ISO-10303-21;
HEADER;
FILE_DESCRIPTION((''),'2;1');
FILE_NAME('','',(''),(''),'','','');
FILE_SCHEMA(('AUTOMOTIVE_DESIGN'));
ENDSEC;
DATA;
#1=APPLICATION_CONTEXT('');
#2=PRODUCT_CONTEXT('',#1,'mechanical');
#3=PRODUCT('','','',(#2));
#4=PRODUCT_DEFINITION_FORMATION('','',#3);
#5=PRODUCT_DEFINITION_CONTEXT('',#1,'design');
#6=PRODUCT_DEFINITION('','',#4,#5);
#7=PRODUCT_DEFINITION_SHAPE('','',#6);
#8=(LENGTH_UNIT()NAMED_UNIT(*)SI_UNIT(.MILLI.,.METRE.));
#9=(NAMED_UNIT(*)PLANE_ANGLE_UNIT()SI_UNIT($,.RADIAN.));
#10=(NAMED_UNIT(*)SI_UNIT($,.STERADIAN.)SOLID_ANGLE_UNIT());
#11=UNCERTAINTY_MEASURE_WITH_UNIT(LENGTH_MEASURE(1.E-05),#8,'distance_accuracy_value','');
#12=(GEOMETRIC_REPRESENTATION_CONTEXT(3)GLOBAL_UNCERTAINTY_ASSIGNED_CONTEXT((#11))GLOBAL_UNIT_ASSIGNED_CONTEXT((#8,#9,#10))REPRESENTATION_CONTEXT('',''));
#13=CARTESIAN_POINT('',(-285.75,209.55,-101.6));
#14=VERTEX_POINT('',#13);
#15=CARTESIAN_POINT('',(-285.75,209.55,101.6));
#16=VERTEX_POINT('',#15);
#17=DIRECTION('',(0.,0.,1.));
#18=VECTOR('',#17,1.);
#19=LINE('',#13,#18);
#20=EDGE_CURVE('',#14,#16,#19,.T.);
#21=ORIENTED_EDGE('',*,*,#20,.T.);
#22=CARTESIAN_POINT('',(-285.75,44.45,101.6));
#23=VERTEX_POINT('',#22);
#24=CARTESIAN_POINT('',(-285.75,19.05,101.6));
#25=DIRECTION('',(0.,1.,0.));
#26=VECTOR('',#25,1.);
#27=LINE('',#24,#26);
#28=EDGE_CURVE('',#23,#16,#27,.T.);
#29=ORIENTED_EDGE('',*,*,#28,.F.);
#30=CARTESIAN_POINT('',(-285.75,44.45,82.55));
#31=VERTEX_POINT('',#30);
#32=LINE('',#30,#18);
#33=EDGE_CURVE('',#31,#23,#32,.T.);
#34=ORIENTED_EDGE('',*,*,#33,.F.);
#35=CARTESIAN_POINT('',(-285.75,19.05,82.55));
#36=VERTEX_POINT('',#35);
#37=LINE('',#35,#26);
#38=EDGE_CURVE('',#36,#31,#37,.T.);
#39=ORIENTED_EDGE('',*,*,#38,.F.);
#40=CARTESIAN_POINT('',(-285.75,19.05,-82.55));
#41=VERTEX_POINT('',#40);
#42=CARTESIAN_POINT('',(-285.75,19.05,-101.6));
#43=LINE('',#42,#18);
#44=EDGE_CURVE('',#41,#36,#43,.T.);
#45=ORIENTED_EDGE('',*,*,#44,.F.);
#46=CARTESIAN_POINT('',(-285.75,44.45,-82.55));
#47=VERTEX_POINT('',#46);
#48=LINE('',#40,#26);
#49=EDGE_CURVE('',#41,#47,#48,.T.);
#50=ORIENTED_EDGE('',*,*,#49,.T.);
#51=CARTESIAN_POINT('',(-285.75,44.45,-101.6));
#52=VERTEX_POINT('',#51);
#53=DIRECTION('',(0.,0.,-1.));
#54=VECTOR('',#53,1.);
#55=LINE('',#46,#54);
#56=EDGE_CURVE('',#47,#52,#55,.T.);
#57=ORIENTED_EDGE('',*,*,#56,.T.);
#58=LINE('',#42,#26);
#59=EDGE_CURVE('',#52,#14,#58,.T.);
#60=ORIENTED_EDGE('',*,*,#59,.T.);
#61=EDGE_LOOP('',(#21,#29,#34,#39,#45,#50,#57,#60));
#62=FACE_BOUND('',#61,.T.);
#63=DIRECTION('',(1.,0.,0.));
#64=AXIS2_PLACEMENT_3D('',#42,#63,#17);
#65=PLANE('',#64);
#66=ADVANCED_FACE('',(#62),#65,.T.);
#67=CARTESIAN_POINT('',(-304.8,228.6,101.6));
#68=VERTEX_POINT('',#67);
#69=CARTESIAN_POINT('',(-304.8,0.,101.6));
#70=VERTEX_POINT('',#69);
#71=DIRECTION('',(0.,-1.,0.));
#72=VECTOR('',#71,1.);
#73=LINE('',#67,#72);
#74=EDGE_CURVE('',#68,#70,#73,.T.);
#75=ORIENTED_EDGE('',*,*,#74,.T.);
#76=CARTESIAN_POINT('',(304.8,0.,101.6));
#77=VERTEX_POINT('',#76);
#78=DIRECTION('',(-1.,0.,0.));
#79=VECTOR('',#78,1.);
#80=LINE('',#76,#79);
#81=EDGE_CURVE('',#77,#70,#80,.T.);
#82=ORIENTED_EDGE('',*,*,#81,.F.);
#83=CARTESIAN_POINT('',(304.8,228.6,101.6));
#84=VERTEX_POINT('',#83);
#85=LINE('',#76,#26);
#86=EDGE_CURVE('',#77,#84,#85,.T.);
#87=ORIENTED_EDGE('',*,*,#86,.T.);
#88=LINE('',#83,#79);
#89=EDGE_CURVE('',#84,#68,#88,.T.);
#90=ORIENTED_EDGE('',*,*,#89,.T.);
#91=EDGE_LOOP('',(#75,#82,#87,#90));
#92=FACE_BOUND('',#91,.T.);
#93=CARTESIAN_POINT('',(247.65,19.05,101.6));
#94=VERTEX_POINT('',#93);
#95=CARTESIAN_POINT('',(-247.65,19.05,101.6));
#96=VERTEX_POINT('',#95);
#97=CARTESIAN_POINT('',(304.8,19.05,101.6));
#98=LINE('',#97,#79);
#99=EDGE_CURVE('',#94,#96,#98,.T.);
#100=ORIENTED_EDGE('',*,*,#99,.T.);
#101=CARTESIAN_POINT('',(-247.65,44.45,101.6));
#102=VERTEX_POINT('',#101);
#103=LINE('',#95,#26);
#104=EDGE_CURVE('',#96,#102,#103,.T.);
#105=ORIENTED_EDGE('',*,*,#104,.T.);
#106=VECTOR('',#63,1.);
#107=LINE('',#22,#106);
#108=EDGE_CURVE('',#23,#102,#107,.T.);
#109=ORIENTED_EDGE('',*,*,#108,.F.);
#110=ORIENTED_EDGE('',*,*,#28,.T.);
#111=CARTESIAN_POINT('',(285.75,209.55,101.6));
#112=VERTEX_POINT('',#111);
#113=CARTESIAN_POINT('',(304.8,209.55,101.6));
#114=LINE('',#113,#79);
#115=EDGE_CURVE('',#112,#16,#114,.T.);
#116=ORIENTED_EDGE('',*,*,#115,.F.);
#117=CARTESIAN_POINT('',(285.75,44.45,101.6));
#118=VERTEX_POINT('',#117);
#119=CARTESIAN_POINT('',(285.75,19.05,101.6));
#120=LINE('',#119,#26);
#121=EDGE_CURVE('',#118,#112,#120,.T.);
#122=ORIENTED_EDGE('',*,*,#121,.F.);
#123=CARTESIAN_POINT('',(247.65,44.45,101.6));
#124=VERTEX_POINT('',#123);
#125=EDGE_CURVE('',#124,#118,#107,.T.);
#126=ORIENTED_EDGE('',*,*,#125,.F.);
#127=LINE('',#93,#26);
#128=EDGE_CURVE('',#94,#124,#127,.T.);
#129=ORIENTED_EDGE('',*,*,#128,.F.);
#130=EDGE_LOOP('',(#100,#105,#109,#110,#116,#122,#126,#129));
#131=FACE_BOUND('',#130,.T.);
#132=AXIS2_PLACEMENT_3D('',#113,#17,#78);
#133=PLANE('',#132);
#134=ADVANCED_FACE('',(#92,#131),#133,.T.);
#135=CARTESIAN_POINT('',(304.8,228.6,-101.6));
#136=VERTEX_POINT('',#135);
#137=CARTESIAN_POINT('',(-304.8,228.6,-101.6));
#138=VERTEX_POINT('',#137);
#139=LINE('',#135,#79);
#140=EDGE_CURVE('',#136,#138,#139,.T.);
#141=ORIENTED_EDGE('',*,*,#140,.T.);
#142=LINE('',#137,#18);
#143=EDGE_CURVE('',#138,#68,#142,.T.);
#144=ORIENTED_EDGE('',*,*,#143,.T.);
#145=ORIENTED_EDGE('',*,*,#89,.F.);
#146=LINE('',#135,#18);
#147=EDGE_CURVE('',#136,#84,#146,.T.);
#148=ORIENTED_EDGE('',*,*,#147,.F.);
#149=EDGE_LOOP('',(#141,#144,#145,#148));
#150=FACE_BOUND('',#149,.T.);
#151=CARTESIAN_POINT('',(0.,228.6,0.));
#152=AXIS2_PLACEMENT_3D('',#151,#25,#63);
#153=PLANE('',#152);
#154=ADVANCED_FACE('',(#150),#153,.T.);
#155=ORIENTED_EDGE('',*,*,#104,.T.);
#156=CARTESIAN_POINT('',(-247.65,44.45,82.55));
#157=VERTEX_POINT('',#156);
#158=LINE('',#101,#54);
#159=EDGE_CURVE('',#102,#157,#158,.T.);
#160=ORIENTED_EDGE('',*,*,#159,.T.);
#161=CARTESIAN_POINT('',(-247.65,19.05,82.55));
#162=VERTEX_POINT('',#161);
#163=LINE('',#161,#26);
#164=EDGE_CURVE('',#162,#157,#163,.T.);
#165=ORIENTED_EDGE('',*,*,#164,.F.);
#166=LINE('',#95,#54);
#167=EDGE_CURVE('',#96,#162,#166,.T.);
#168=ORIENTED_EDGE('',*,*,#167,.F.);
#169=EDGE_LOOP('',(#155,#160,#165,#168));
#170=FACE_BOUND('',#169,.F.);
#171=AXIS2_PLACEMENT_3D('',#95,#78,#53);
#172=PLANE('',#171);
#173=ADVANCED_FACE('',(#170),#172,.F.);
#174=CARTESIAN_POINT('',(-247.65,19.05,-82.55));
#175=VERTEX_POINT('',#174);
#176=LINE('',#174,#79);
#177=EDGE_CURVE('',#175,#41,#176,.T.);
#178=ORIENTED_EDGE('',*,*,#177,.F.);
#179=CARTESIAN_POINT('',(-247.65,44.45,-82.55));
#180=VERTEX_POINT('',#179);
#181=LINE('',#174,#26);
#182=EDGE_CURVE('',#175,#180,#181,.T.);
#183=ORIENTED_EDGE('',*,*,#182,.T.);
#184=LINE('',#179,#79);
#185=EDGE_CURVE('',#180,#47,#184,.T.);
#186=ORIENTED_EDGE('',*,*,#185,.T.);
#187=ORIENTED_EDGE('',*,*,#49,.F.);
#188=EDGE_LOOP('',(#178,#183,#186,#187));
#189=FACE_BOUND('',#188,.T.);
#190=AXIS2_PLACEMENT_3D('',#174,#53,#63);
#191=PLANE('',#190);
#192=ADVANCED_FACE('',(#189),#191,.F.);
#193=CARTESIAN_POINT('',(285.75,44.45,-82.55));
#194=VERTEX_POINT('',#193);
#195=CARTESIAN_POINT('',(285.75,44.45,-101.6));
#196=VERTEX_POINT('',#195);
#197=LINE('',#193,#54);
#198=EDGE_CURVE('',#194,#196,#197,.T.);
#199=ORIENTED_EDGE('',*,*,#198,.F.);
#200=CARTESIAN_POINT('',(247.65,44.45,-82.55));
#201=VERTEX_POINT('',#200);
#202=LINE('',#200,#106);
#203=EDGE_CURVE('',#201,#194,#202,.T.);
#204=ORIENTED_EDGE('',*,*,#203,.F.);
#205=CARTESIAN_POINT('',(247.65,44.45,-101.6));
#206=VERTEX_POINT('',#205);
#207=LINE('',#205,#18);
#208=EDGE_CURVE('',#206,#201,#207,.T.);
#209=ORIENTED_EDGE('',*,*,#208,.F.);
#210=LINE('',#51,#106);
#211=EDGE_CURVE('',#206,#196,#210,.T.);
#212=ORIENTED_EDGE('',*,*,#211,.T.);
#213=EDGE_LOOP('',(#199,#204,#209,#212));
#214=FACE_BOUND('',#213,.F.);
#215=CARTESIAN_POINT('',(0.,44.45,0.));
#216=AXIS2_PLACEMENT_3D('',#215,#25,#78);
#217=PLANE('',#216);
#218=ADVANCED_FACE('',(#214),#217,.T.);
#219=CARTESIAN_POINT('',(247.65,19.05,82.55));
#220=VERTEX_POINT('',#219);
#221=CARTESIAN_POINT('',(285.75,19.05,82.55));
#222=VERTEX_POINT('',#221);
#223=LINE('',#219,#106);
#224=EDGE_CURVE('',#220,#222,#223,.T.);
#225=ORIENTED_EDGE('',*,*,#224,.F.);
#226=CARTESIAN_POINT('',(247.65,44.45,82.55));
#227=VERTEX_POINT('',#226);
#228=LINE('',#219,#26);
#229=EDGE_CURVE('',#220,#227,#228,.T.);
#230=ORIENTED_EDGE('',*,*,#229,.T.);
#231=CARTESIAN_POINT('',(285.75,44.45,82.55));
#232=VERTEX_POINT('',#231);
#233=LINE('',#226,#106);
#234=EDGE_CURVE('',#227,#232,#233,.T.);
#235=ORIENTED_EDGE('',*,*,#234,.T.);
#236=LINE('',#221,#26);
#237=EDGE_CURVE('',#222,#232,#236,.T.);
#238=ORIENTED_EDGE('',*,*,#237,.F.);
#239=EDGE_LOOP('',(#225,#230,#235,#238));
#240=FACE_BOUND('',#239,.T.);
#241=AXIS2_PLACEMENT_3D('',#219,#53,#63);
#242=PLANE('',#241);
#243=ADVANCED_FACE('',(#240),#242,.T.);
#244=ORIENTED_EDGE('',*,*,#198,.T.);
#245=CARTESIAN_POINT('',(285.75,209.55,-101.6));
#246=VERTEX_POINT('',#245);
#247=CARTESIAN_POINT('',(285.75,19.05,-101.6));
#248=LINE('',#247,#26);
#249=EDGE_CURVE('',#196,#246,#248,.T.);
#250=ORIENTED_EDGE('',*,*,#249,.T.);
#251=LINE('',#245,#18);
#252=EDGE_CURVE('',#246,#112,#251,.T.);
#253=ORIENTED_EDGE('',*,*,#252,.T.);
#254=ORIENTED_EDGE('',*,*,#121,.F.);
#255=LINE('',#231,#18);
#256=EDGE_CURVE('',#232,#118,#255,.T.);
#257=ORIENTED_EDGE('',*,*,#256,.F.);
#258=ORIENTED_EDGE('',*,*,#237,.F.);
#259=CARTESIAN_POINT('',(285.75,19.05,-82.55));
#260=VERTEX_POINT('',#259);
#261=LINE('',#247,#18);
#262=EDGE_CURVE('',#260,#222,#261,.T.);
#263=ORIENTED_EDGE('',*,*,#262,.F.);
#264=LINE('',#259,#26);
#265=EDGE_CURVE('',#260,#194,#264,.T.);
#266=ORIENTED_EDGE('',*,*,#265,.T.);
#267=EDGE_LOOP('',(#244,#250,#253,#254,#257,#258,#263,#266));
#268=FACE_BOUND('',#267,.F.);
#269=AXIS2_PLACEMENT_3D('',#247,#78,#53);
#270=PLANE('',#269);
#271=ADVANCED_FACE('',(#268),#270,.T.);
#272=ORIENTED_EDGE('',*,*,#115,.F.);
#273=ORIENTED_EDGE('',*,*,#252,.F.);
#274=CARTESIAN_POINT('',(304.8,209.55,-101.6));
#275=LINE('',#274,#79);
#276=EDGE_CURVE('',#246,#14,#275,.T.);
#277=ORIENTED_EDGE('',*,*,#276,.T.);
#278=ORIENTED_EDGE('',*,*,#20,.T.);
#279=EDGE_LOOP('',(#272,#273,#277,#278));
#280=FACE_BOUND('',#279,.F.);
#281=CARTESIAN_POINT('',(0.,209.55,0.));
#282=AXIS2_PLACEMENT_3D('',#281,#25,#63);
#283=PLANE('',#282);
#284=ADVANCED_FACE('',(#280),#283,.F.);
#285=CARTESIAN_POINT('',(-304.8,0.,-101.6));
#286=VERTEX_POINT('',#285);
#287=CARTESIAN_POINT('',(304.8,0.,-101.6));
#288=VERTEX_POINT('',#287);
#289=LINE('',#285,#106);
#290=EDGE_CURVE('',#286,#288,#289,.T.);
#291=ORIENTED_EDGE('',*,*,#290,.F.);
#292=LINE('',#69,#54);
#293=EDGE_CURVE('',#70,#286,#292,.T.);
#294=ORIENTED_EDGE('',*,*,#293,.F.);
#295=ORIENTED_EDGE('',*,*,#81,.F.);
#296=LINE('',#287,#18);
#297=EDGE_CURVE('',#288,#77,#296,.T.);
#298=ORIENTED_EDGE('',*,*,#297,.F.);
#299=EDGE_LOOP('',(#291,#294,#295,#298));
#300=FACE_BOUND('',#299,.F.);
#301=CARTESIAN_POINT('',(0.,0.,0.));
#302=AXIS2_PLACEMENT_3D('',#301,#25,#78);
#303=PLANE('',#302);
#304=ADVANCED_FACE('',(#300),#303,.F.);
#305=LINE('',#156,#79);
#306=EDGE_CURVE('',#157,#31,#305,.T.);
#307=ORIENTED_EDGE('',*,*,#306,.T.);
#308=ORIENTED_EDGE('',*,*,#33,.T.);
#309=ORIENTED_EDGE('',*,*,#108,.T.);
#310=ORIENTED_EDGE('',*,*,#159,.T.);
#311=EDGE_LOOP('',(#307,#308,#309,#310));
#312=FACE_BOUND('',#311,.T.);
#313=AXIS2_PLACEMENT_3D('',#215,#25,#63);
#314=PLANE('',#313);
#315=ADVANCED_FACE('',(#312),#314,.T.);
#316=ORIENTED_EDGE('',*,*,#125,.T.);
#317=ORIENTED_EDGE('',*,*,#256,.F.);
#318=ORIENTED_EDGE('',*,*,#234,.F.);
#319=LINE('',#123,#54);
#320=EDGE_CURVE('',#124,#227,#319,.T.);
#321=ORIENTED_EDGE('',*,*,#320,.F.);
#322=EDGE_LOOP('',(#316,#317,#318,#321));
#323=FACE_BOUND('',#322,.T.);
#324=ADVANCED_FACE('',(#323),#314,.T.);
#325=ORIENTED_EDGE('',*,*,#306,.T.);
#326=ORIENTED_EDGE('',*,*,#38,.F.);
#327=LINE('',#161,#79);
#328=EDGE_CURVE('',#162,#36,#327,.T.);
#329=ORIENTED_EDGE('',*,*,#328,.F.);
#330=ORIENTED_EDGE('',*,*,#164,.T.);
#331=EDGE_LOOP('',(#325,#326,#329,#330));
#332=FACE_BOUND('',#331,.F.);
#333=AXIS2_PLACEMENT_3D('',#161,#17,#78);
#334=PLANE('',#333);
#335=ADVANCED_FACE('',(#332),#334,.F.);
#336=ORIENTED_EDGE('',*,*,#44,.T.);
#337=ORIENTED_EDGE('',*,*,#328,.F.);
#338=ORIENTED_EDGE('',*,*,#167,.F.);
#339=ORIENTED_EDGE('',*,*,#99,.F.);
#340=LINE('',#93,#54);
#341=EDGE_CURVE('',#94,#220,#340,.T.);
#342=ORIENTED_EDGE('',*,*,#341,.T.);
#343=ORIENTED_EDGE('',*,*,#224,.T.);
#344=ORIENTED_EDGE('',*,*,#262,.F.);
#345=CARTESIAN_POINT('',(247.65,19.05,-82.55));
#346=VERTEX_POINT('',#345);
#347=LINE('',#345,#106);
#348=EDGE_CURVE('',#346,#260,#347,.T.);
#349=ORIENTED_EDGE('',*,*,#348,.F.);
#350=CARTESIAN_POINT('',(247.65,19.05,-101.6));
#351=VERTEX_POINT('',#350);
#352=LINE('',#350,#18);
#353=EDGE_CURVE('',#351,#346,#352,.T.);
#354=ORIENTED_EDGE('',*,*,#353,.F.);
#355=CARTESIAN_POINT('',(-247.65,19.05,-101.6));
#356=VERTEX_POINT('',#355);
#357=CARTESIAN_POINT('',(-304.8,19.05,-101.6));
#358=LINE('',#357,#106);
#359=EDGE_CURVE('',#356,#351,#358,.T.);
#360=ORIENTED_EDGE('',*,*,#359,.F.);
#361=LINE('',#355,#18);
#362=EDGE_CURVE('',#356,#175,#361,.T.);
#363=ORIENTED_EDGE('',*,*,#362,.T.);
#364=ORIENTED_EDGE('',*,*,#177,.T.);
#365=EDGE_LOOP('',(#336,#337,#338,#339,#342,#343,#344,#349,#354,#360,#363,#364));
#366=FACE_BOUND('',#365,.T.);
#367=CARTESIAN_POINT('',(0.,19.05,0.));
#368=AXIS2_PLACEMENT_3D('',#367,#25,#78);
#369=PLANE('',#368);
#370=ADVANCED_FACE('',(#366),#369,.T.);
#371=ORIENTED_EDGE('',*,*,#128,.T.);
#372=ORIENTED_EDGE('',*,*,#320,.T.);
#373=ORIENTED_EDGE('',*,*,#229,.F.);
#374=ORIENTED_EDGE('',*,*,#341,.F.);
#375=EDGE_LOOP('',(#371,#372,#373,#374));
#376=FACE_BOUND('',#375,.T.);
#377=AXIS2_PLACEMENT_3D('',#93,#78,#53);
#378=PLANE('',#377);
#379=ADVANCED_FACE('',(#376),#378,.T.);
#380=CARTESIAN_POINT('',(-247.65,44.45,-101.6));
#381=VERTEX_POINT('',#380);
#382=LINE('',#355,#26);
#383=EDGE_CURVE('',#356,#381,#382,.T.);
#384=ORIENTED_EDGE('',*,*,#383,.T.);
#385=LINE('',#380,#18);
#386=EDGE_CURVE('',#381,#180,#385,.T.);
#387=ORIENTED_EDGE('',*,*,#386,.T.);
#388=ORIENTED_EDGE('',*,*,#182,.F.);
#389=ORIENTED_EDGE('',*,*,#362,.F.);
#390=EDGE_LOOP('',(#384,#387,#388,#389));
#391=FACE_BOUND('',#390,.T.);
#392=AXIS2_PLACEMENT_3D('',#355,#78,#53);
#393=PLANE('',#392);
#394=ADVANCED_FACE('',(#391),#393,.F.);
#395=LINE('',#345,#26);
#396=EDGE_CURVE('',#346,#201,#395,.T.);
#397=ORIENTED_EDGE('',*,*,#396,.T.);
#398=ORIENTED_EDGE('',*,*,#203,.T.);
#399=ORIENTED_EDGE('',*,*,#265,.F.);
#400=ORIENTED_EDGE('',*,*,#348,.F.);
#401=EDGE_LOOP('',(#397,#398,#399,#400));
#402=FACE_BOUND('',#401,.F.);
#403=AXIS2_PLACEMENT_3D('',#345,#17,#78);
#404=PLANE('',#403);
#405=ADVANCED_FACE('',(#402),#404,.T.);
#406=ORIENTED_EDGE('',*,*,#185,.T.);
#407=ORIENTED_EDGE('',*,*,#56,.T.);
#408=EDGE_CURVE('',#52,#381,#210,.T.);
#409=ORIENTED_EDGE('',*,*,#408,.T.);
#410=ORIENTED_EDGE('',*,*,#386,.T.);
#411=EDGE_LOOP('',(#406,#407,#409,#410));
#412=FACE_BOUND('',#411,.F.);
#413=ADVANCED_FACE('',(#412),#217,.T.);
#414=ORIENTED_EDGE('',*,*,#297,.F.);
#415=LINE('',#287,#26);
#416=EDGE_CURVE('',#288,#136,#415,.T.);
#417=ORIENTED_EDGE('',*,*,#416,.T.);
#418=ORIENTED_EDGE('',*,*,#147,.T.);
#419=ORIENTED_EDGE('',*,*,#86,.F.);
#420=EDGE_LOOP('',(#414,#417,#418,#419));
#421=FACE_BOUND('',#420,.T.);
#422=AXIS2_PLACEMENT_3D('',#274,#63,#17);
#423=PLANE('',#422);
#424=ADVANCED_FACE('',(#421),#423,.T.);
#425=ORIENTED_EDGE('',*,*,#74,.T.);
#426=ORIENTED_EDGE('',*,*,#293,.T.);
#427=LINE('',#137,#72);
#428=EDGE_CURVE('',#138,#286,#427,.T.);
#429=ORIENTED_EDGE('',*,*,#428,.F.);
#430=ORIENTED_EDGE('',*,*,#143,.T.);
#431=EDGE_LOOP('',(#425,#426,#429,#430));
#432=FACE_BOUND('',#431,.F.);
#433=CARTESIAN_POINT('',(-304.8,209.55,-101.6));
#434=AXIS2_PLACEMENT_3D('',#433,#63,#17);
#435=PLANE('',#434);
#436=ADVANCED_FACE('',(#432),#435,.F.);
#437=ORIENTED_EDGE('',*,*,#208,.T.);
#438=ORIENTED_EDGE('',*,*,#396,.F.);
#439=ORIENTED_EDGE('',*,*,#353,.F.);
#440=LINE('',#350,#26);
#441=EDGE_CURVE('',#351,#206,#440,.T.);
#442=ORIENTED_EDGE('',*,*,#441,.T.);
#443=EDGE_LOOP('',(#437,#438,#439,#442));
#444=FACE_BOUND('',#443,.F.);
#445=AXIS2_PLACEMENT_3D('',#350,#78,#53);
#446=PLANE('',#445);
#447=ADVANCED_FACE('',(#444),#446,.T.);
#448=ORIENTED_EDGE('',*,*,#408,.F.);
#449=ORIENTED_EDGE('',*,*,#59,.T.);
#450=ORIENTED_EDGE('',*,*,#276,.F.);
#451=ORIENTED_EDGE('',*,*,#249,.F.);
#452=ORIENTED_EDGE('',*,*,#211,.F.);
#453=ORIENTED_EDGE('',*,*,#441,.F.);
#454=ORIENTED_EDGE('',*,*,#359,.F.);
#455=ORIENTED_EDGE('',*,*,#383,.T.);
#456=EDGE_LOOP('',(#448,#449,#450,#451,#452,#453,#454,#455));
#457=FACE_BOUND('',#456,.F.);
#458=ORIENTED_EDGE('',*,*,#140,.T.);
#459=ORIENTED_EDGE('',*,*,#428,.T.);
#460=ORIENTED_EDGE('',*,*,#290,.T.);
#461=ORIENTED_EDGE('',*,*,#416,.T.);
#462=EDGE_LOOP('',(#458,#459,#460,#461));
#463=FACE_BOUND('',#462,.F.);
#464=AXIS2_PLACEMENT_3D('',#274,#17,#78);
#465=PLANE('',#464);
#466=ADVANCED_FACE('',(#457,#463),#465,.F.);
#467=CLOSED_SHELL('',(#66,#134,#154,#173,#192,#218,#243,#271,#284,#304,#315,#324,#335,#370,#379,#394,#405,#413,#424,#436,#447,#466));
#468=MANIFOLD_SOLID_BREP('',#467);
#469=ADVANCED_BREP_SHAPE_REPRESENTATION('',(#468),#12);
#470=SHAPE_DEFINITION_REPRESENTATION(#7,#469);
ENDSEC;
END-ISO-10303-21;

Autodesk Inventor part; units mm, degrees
ref_plane "YZ Plane" through (0, 0, 0) normal (1, 0, 0) x (0, 1, 0)
ref_plane "XZ Plane" through (0, 0, 0) normal (0, 1, 0) x (-1, 0, 0)
ref_plane "XY Plane" through (0, 0, 0) normal (0, 0, 1) x (1, 0, 0)
sketch "Sketch1" plane through (0, 0, 0) normal (0, 1, 0) x (-1, 0, 0)
  line L0 (-304.8, 101.6) -> (304.8, 101.6)
  line L1 (304.8, 101.6) -> (304.8, -101.6)
  line L2 (304.8, -101.6) -> (-304.8, -101.6)
  line L3 (-304.8, -101.6) -> (-304.8, 101.6)
  line L4 (-304.8, 101.6) -> (304.8, -101.6) construction
  line L5 (304.8, 101.6) -> (-304.8, -101.6) construction
  point P0 (0, 0)
  dimension "length" = 609.6
  dimension "width" = 203.2
extrude "Extrusion1" add sketch "Sketch1" along normal blind 19.05
sketch "Sketch2" plane through (0, 19.05, 0) normal (0, 1, 0) x (1, 0, 0)
  line L0 (-304.8, -101.6) -> (304.8, -101.6) projected
  line L1 (304.8, 101.6) -> (-304.8, 101.6) projected
  line L2 (-304.8, -101.6) -> (-304.8, 101.6)
  line L3 (-304.8, 101.6) -> (-285.75, 101.6)
  line L4 (-285.75, 101.6) -> (-285.75, -101.6)
  line L5 (-285.75, -101.6) -> (-304.8, -101.6)
  point P0 (0, 0)
  dimension "d4" = 19.05
extrude "Extrusion2" add sketch "Sketch2" along normal blind 190.5
mirror "Mirror2" about plane through (0, 0, 0) normal (1, 0, 0) of "Extrusion2"
sketch "Sketch3" plane through (0, 19.05, 0) normal (0, 1, 0) x (1, 0, 0)
  line L0 (-285.75, -101.6) -> (-247.65, -101.6)
  line L1 (-247.65, -101.6) -> (-247.65, -82.55)
  line L2 (-247.65, -82.55) -> (-285.75, -82.55)
  line L3 (-285.75, -82.55) -> (-285.75, -101.6)
  line L4 (-285.75, -101.6) -> (285.75, -101.6)
  line L5 (285.75, -101.6) -> (247.65, -101.6)
  line L6 (247.65, -101.6) -> (247.65, -82.55)
  line L7 (247.65, -82.55) -> (285.75, -82.55)
  line L8 (285.75, -82.55) -> (285.75, -101.6)
  point P0 (0, 0)
  dimension "d7" = 19.05
  dimension "d8" = 19.05
  dimension "d12" = 38.1
  dimension "d14" = 38.1
extrude "Extrusion3" add sketch "Sketch3" along normal blind 25.4
mirror "Mirror3" about plane through (0, 0, 0) normal (0, 0, 1) of "Extrusion3"
sketch "Sketch5" plane through (0, 209.55, 0) normal (0, 1, 0) x (1, 0, 0)
  line L0 (304.8, -101.6) -> (-304.8, -101.6) projected
  line L1 (304.8, 101.6) -> (304.8, -101.6) projected
  line L2 (-304.8, -101.6) -> (304.8, -101.6)
  line L3 (304.8, -101.6) -> (304.8, 101.6)
  line L4 (304.8, 101.6) -> (-304.8, 101.6)
  line L5 (-304.8, 101.6) -> (-304.8, -101.6)
  point P0 (0, 0)
extrude "Extrusion4" add sketch "Sketch5" along normal blind 19.05
equation "\"d4\" = thickness"
equation "\"d7\" = thickness"
equation "\"d8\" = thickness"
equation "\"d14\" = d12"
equation "\"d15\" = thickness"
equation "\"thickness\" = 19.05"
properties part number "cabinet" material "Pine, Radiata"
